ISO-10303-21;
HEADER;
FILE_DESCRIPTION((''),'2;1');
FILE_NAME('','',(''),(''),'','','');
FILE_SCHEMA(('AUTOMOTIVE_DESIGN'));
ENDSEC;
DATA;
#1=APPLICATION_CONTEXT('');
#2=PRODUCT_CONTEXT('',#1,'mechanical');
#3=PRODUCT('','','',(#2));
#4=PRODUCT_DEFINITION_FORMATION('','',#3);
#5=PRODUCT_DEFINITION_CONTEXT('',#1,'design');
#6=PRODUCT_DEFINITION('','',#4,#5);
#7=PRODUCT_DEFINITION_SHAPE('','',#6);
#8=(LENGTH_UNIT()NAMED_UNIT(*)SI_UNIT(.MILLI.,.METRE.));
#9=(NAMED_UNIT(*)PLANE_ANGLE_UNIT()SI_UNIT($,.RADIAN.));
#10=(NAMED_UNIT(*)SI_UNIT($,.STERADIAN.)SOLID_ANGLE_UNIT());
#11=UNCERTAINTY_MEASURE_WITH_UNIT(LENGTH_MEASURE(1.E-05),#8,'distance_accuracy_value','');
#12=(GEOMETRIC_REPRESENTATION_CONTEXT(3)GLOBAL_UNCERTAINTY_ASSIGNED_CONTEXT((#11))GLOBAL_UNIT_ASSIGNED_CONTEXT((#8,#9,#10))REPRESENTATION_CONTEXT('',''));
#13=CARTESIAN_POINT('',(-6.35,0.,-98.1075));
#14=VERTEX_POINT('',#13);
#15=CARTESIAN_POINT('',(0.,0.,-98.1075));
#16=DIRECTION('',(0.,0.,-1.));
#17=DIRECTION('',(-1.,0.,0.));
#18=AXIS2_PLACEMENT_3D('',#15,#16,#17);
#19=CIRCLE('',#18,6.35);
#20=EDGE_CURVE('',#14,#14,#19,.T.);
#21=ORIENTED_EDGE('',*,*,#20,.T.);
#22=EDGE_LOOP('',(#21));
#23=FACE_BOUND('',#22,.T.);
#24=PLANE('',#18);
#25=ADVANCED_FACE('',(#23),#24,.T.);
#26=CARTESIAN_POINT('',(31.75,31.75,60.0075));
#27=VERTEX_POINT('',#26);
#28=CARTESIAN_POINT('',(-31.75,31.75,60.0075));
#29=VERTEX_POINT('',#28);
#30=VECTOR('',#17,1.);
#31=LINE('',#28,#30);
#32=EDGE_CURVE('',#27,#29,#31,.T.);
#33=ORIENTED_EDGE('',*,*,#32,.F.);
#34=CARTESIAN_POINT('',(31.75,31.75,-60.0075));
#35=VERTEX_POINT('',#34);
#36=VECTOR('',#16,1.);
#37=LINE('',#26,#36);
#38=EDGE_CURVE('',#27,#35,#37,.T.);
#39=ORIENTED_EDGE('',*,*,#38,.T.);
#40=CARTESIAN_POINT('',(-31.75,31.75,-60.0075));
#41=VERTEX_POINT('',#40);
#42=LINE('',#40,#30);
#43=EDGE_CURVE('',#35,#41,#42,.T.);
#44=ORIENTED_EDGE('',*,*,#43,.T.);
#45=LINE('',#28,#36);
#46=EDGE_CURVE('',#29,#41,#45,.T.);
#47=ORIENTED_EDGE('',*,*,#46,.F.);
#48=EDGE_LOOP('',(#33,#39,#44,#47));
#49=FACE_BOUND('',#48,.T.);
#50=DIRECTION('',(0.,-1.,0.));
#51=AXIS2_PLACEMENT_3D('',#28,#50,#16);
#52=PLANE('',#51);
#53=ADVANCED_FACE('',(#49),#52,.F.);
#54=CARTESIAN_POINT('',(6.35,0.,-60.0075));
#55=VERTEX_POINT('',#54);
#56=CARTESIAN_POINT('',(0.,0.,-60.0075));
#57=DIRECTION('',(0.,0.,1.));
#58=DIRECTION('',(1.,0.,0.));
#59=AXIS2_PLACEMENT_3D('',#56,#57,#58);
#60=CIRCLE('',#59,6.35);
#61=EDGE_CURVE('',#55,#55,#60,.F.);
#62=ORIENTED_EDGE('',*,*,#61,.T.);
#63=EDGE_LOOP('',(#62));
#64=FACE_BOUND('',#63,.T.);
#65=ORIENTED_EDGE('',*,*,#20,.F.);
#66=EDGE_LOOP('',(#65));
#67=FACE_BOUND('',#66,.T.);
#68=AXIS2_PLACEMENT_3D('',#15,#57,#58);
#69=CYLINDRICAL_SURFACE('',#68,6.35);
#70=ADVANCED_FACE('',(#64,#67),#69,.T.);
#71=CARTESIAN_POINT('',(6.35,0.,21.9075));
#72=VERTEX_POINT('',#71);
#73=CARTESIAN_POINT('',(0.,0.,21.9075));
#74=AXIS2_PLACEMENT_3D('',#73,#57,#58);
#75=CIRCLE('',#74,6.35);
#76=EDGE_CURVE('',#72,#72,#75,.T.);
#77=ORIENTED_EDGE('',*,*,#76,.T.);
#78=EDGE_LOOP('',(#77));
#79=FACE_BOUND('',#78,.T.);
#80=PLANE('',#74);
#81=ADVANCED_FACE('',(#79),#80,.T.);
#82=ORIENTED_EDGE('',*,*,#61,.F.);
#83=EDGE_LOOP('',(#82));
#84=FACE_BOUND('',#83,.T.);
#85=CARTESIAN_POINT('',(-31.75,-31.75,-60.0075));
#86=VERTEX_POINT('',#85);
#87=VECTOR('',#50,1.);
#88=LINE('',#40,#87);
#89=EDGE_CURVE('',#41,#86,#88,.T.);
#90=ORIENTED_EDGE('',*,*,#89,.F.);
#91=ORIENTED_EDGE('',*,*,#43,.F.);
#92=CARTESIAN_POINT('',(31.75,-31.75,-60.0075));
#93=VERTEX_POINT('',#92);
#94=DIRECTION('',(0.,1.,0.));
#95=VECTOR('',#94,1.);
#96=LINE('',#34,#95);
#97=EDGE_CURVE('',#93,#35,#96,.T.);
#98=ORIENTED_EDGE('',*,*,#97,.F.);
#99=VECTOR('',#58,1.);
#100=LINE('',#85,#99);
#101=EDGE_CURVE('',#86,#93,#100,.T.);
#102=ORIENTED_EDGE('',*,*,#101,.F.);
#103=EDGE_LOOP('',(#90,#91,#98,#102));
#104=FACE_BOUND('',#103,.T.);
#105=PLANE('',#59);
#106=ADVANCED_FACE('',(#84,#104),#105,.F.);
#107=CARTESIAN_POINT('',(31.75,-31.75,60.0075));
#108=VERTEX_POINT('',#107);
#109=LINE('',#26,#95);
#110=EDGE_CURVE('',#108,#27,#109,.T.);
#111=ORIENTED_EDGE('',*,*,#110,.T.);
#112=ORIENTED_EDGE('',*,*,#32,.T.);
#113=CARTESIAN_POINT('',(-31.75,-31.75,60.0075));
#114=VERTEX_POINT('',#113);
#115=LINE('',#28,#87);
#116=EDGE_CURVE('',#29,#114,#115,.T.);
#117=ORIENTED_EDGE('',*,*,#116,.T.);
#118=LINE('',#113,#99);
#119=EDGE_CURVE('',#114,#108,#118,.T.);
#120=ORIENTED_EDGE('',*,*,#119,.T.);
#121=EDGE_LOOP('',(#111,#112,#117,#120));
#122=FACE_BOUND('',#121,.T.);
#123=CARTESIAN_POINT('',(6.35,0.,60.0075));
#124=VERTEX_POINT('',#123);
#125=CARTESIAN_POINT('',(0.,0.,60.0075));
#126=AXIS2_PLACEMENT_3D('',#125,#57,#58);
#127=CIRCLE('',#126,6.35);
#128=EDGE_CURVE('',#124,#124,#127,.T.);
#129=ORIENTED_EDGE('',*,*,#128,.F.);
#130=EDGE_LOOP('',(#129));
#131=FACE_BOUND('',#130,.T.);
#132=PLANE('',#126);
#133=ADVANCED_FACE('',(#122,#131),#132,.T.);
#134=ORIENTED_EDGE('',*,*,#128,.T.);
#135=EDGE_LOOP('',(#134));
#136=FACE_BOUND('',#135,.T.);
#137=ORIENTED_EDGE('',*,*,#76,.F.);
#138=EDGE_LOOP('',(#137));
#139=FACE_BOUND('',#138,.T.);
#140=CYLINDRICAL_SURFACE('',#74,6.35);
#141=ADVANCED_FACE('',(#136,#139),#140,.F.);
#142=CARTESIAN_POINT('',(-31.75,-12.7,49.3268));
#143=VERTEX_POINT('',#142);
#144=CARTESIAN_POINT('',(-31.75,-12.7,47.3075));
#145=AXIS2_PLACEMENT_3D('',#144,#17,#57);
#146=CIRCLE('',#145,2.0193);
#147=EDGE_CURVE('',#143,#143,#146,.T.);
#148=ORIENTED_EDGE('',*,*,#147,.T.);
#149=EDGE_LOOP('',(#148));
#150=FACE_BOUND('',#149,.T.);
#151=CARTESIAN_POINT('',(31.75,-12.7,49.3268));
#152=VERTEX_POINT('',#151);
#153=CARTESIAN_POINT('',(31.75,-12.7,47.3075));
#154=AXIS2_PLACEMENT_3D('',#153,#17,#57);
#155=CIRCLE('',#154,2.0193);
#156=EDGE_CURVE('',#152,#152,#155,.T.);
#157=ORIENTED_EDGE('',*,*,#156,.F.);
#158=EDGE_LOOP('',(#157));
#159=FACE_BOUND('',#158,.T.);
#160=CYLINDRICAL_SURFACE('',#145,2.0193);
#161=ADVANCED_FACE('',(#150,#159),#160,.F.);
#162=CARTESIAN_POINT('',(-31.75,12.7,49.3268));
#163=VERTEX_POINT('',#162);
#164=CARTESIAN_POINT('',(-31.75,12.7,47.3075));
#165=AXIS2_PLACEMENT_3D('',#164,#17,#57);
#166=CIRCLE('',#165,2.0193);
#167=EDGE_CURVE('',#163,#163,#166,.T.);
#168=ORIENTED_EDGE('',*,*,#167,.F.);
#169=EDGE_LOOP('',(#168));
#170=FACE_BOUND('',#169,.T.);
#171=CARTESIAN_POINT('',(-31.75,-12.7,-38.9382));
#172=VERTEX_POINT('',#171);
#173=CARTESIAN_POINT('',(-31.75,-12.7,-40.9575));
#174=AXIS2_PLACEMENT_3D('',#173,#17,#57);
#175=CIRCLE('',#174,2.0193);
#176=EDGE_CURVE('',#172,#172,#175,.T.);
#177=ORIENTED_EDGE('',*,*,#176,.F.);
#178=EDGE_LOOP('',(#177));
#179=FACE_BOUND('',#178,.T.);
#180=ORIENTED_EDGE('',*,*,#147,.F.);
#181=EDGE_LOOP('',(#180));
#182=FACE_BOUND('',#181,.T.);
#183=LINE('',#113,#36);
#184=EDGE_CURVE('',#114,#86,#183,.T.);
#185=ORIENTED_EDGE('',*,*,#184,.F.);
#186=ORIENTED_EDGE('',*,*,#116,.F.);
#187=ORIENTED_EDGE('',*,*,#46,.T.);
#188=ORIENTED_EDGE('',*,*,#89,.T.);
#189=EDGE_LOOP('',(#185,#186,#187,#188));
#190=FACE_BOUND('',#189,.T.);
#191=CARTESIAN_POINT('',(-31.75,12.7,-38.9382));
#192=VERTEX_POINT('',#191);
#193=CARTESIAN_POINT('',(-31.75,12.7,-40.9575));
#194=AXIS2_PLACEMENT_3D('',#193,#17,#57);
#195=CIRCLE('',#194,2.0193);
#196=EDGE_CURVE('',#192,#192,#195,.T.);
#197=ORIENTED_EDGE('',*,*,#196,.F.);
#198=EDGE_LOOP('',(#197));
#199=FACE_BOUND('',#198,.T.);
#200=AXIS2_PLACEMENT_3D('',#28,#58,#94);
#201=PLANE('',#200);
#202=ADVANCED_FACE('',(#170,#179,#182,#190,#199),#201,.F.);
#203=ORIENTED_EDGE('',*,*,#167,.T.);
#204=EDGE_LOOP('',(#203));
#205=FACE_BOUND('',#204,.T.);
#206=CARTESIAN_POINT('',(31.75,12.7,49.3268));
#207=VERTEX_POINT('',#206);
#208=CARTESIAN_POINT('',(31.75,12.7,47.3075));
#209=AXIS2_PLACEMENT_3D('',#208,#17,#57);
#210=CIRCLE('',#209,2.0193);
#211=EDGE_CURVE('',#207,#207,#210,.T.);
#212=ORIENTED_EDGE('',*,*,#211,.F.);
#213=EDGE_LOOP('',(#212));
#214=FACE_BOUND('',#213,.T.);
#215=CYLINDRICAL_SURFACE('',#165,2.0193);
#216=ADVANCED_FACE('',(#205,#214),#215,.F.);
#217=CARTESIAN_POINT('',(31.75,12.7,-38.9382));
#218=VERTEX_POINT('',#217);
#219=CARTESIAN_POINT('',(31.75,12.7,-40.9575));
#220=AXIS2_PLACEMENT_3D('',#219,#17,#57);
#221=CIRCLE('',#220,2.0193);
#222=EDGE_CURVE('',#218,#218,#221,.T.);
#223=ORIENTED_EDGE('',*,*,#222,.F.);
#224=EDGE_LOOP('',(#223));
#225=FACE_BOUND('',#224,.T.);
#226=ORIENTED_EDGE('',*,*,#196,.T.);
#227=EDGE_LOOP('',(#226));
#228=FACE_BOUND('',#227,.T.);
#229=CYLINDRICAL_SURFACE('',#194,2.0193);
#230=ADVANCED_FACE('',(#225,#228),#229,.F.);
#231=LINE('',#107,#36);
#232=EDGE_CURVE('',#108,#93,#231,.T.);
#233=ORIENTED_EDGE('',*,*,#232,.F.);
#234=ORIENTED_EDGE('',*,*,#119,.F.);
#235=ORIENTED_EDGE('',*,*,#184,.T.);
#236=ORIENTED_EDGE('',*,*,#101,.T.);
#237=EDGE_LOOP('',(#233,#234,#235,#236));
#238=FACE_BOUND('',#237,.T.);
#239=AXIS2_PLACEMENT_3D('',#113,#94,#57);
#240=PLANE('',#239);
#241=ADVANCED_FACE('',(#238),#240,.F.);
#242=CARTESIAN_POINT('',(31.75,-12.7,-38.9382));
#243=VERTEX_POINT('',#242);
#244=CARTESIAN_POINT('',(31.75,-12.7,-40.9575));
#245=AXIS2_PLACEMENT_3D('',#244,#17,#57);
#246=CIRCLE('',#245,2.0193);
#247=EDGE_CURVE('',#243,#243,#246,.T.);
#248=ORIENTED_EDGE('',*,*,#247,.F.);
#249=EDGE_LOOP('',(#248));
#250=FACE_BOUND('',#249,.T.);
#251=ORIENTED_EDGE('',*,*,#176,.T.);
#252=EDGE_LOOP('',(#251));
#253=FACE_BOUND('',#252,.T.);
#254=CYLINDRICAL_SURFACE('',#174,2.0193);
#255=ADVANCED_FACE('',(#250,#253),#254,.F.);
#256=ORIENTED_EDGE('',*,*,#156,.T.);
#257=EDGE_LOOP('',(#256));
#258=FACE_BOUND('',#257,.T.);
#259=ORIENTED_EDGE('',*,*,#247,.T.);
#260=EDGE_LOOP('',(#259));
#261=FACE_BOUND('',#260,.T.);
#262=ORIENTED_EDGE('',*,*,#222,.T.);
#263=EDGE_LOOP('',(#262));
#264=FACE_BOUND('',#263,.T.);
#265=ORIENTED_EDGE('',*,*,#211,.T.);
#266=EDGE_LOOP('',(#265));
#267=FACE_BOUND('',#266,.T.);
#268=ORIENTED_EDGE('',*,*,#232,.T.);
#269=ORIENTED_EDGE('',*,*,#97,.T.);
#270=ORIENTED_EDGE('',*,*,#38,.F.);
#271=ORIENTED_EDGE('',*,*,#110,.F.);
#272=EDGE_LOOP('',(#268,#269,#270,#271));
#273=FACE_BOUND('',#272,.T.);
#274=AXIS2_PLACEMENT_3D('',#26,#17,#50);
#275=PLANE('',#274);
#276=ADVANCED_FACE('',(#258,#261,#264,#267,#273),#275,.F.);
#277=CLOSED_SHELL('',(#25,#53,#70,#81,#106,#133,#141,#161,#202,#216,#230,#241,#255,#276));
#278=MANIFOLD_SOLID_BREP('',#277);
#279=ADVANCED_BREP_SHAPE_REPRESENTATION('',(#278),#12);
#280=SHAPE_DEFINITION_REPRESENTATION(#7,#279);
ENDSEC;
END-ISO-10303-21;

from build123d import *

# Parameters (mm, degrees)
SKETCH1_W              = 63.5
SKETCH1_H              = 63.5
BOSS_EXTRUDE1_DEPTH    = 60.0075
SKETCH2_R              = 6.35
BOSS_EXTRUDE2_DEPTH    = 38.1
SKETCH3_R              = 6.35
CUT_EXTRUDE1_DEPTH     = 38.1
F_10_32_TAPPED_HOLE1_D = 4.0386


with BuildPart() as part:
    # Sketch1 → Boss-Extrude1 (new body, symmetric)
    with BuildSketch(Plane.XY):
        Rectangle(SKETCH1_W, SKETCH1_H)
    extrude(amount=BOSS_EXTRUDE1_DEPTH, both=True)

    # Sketch2 → Boss-Extrude2 (add)
    with BuildSketch(Plane(origin=(0, 0, -60.0075), x_dir=(-1, 0, 0), z_dir=(0, 0, -1))):
        Circle(SKETCH2_R)
    extrude(amount=BOSS_EXTRUDE2_DEPTH)

    # Sketch3 → Cut-Extrude1 (cut)
    with BuildSketch(Plane.XY.offset(60.0075)):
        Circle(SKETCH3_R)
    extrude(amount=-CUT_EXTRUDE1_DEPTH, mode=Mode.SUBTRACT)

    # #10-32 Tapped Hole1 (through all)
    with Locations(Plane.ZY.offset(31.75)):
        with Locations((-40.9575, 12.7), (-40.9575, -12.7), (47.3075, -12.7), (47.3075, 12.7)):
            Hole(F_10_32_TAPPED_HOLE1_D / 2)


solid = part.part
